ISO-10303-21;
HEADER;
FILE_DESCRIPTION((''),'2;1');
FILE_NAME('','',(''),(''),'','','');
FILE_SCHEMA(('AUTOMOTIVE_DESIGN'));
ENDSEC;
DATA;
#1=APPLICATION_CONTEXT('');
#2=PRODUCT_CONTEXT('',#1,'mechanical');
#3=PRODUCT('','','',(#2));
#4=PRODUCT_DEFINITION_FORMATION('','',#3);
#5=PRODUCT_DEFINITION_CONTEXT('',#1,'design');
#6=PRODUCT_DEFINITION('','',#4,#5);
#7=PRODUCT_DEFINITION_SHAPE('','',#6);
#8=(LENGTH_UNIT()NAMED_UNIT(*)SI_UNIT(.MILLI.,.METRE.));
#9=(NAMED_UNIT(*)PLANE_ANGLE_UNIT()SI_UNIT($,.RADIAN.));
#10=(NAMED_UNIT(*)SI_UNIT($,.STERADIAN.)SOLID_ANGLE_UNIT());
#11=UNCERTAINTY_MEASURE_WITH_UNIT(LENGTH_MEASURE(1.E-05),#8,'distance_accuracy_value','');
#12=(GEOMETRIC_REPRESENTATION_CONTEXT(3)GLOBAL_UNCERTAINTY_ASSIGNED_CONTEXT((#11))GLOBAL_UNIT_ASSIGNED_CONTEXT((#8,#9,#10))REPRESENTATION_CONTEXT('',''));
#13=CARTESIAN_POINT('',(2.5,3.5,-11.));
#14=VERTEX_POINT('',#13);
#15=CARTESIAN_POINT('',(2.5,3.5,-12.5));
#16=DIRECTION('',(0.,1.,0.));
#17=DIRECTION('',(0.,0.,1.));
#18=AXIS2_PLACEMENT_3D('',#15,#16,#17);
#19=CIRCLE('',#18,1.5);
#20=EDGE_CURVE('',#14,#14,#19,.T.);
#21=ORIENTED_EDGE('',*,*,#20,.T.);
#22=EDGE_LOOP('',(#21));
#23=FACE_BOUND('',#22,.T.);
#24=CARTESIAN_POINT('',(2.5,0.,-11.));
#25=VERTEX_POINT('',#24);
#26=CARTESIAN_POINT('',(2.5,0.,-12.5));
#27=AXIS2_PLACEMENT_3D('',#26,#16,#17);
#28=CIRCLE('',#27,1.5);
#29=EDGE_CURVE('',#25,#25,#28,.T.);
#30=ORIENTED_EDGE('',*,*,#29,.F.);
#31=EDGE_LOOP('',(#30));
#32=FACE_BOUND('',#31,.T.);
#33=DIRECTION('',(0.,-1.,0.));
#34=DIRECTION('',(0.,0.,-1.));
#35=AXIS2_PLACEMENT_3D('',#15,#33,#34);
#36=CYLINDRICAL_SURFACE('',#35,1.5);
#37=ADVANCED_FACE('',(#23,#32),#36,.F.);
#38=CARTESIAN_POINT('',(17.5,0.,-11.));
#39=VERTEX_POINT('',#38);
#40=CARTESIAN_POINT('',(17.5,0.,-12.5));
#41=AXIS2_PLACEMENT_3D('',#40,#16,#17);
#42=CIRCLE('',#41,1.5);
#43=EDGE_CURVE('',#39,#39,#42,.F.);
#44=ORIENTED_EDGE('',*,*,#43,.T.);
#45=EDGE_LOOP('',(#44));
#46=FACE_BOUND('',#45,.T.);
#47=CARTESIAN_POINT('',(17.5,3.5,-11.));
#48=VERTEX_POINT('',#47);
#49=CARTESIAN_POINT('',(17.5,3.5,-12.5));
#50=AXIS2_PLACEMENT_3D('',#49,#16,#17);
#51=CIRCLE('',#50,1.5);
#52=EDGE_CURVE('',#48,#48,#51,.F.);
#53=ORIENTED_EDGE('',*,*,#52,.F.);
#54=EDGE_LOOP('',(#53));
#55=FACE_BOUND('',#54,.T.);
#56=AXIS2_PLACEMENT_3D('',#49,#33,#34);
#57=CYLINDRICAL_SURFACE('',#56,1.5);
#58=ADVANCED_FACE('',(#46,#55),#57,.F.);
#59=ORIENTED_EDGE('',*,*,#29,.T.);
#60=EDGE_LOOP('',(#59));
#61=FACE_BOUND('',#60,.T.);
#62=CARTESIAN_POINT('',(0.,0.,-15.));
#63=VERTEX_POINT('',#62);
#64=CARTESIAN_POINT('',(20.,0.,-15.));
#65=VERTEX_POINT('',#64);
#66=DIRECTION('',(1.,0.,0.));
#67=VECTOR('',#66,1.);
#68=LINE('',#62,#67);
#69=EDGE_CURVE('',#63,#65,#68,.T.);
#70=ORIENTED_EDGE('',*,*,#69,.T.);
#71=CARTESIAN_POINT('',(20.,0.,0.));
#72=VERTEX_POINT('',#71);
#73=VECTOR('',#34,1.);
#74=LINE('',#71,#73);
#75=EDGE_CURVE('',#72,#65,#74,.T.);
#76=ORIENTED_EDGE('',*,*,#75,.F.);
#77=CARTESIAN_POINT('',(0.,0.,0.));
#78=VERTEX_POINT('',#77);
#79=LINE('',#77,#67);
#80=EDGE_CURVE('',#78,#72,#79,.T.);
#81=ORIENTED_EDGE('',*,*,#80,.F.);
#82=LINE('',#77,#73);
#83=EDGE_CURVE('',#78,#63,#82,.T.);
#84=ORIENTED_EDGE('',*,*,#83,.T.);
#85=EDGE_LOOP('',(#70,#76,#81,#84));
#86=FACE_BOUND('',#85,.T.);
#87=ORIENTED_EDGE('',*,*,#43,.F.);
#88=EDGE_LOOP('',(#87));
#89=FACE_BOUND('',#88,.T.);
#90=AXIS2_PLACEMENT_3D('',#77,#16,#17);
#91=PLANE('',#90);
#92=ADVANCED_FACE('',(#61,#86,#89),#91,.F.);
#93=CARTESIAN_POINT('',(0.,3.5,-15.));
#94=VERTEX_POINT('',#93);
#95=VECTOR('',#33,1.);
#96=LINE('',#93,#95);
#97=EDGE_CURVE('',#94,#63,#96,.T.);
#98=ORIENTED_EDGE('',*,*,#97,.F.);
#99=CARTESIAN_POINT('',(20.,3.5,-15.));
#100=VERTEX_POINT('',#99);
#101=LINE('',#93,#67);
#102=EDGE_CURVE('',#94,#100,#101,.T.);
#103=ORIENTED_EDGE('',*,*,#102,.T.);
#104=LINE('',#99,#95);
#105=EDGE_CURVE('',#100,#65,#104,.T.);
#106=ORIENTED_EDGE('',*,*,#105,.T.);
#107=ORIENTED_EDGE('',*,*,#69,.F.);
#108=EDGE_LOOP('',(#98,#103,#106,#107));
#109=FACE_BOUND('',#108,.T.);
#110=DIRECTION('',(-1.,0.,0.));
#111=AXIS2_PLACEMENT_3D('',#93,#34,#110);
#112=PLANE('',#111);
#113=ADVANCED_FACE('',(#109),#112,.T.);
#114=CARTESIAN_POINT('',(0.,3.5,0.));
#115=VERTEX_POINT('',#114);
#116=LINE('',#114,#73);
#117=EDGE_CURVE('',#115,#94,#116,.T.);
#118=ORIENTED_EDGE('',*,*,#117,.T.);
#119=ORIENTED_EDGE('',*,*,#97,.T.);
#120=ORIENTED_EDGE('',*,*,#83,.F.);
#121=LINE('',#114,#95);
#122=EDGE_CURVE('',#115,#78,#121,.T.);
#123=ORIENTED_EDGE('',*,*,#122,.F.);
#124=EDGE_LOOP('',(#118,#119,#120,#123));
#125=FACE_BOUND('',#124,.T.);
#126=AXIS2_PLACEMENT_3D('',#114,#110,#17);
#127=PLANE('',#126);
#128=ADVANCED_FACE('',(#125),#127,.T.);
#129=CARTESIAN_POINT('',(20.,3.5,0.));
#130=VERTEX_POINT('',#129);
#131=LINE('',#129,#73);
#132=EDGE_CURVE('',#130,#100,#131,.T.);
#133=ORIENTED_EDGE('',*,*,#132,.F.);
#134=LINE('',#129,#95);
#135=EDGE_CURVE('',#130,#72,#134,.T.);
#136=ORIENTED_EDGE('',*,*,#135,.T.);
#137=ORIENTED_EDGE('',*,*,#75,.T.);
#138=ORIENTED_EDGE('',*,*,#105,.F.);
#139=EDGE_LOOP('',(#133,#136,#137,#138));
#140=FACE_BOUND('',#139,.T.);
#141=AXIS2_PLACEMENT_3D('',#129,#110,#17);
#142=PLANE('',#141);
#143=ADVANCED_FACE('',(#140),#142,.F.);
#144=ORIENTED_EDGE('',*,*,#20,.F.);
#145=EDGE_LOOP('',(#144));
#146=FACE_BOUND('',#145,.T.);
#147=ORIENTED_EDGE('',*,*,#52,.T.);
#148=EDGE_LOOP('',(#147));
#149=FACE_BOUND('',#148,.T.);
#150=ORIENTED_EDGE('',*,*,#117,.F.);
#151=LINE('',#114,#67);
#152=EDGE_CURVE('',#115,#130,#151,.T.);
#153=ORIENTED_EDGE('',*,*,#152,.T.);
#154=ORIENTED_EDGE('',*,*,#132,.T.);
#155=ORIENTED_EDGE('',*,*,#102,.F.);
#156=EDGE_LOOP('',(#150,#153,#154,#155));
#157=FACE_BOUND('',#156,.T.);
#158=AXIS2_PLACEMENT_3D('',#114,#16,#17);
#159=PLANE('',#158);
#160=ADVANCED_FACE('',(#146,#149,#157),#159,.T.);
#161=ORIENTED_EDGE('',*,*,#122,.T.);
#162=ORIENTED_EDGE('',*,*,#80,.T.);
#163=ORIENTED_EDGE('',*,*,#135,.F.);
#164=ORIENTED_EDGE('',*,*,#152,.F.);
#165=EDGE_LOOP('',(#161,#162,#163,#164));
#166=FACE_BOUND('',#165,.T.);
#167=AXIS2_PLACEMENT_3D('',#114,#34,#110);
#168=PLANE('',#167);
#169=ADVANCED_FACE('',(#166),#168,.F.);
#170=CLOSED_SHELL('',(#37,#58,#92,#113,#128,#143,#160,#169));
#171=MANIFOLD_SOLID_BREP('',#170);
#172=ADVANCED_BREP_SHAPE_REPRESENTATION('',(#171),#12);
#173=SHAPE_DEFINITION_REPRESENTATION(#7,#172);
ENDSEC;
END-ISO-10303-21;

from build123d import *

# Parameters (mm, degrees)
SKETCH1_W           = 10
SKETCH1_H           = 15
SKETCH1_R           = 1.5
BOSS_EXTRUDE1_DEPTH = 3.5


with BuildPart() as part:
    # Sketch1 → Boss-Extrude1 (new body)
    # profile 1 of 2: a face of its own
    with BuildSketch(Plane(origin=(0, 0, 0), x_dir=(1, 0, 0), z_dir=(0, 1, 0))):
        with Locations((15, 7.5)):
            Rectangle(SKETCH1_W, SKETCH1_H)
        with Locations(Location((17.5, 12.5, 0), (0, 0, 270))):
            Circle(SKETCH1_R, mode=Mode.SUBTRACT)
    # profile 2 of 2: a face of its own
    with BuildSketch(Plane(origin=(0, 0, 0), x_dir=(1, 0, 0), z_dir=(0, 1, 0))):
        with Locations((5, 7.5)):
            Rectangle(SKETCH1_W, SKETCH1_H)
        with BuildLine():
            ThreePointArc((1, 12.5), (1.439339828, 13.560660172), (2.5, 14))
            ThreePointArc((2.5, 14), (3.560660172, 13.560660172), (4, 12.5))
            ThreePointArc((4, 12.5), (2.5, 11), (1, 12.5))
        make_face(mode=Mode.SUBTRACT)
    extrude(amount=BOSS_EXTRUDE1_DEPTH)


solid = part.part
